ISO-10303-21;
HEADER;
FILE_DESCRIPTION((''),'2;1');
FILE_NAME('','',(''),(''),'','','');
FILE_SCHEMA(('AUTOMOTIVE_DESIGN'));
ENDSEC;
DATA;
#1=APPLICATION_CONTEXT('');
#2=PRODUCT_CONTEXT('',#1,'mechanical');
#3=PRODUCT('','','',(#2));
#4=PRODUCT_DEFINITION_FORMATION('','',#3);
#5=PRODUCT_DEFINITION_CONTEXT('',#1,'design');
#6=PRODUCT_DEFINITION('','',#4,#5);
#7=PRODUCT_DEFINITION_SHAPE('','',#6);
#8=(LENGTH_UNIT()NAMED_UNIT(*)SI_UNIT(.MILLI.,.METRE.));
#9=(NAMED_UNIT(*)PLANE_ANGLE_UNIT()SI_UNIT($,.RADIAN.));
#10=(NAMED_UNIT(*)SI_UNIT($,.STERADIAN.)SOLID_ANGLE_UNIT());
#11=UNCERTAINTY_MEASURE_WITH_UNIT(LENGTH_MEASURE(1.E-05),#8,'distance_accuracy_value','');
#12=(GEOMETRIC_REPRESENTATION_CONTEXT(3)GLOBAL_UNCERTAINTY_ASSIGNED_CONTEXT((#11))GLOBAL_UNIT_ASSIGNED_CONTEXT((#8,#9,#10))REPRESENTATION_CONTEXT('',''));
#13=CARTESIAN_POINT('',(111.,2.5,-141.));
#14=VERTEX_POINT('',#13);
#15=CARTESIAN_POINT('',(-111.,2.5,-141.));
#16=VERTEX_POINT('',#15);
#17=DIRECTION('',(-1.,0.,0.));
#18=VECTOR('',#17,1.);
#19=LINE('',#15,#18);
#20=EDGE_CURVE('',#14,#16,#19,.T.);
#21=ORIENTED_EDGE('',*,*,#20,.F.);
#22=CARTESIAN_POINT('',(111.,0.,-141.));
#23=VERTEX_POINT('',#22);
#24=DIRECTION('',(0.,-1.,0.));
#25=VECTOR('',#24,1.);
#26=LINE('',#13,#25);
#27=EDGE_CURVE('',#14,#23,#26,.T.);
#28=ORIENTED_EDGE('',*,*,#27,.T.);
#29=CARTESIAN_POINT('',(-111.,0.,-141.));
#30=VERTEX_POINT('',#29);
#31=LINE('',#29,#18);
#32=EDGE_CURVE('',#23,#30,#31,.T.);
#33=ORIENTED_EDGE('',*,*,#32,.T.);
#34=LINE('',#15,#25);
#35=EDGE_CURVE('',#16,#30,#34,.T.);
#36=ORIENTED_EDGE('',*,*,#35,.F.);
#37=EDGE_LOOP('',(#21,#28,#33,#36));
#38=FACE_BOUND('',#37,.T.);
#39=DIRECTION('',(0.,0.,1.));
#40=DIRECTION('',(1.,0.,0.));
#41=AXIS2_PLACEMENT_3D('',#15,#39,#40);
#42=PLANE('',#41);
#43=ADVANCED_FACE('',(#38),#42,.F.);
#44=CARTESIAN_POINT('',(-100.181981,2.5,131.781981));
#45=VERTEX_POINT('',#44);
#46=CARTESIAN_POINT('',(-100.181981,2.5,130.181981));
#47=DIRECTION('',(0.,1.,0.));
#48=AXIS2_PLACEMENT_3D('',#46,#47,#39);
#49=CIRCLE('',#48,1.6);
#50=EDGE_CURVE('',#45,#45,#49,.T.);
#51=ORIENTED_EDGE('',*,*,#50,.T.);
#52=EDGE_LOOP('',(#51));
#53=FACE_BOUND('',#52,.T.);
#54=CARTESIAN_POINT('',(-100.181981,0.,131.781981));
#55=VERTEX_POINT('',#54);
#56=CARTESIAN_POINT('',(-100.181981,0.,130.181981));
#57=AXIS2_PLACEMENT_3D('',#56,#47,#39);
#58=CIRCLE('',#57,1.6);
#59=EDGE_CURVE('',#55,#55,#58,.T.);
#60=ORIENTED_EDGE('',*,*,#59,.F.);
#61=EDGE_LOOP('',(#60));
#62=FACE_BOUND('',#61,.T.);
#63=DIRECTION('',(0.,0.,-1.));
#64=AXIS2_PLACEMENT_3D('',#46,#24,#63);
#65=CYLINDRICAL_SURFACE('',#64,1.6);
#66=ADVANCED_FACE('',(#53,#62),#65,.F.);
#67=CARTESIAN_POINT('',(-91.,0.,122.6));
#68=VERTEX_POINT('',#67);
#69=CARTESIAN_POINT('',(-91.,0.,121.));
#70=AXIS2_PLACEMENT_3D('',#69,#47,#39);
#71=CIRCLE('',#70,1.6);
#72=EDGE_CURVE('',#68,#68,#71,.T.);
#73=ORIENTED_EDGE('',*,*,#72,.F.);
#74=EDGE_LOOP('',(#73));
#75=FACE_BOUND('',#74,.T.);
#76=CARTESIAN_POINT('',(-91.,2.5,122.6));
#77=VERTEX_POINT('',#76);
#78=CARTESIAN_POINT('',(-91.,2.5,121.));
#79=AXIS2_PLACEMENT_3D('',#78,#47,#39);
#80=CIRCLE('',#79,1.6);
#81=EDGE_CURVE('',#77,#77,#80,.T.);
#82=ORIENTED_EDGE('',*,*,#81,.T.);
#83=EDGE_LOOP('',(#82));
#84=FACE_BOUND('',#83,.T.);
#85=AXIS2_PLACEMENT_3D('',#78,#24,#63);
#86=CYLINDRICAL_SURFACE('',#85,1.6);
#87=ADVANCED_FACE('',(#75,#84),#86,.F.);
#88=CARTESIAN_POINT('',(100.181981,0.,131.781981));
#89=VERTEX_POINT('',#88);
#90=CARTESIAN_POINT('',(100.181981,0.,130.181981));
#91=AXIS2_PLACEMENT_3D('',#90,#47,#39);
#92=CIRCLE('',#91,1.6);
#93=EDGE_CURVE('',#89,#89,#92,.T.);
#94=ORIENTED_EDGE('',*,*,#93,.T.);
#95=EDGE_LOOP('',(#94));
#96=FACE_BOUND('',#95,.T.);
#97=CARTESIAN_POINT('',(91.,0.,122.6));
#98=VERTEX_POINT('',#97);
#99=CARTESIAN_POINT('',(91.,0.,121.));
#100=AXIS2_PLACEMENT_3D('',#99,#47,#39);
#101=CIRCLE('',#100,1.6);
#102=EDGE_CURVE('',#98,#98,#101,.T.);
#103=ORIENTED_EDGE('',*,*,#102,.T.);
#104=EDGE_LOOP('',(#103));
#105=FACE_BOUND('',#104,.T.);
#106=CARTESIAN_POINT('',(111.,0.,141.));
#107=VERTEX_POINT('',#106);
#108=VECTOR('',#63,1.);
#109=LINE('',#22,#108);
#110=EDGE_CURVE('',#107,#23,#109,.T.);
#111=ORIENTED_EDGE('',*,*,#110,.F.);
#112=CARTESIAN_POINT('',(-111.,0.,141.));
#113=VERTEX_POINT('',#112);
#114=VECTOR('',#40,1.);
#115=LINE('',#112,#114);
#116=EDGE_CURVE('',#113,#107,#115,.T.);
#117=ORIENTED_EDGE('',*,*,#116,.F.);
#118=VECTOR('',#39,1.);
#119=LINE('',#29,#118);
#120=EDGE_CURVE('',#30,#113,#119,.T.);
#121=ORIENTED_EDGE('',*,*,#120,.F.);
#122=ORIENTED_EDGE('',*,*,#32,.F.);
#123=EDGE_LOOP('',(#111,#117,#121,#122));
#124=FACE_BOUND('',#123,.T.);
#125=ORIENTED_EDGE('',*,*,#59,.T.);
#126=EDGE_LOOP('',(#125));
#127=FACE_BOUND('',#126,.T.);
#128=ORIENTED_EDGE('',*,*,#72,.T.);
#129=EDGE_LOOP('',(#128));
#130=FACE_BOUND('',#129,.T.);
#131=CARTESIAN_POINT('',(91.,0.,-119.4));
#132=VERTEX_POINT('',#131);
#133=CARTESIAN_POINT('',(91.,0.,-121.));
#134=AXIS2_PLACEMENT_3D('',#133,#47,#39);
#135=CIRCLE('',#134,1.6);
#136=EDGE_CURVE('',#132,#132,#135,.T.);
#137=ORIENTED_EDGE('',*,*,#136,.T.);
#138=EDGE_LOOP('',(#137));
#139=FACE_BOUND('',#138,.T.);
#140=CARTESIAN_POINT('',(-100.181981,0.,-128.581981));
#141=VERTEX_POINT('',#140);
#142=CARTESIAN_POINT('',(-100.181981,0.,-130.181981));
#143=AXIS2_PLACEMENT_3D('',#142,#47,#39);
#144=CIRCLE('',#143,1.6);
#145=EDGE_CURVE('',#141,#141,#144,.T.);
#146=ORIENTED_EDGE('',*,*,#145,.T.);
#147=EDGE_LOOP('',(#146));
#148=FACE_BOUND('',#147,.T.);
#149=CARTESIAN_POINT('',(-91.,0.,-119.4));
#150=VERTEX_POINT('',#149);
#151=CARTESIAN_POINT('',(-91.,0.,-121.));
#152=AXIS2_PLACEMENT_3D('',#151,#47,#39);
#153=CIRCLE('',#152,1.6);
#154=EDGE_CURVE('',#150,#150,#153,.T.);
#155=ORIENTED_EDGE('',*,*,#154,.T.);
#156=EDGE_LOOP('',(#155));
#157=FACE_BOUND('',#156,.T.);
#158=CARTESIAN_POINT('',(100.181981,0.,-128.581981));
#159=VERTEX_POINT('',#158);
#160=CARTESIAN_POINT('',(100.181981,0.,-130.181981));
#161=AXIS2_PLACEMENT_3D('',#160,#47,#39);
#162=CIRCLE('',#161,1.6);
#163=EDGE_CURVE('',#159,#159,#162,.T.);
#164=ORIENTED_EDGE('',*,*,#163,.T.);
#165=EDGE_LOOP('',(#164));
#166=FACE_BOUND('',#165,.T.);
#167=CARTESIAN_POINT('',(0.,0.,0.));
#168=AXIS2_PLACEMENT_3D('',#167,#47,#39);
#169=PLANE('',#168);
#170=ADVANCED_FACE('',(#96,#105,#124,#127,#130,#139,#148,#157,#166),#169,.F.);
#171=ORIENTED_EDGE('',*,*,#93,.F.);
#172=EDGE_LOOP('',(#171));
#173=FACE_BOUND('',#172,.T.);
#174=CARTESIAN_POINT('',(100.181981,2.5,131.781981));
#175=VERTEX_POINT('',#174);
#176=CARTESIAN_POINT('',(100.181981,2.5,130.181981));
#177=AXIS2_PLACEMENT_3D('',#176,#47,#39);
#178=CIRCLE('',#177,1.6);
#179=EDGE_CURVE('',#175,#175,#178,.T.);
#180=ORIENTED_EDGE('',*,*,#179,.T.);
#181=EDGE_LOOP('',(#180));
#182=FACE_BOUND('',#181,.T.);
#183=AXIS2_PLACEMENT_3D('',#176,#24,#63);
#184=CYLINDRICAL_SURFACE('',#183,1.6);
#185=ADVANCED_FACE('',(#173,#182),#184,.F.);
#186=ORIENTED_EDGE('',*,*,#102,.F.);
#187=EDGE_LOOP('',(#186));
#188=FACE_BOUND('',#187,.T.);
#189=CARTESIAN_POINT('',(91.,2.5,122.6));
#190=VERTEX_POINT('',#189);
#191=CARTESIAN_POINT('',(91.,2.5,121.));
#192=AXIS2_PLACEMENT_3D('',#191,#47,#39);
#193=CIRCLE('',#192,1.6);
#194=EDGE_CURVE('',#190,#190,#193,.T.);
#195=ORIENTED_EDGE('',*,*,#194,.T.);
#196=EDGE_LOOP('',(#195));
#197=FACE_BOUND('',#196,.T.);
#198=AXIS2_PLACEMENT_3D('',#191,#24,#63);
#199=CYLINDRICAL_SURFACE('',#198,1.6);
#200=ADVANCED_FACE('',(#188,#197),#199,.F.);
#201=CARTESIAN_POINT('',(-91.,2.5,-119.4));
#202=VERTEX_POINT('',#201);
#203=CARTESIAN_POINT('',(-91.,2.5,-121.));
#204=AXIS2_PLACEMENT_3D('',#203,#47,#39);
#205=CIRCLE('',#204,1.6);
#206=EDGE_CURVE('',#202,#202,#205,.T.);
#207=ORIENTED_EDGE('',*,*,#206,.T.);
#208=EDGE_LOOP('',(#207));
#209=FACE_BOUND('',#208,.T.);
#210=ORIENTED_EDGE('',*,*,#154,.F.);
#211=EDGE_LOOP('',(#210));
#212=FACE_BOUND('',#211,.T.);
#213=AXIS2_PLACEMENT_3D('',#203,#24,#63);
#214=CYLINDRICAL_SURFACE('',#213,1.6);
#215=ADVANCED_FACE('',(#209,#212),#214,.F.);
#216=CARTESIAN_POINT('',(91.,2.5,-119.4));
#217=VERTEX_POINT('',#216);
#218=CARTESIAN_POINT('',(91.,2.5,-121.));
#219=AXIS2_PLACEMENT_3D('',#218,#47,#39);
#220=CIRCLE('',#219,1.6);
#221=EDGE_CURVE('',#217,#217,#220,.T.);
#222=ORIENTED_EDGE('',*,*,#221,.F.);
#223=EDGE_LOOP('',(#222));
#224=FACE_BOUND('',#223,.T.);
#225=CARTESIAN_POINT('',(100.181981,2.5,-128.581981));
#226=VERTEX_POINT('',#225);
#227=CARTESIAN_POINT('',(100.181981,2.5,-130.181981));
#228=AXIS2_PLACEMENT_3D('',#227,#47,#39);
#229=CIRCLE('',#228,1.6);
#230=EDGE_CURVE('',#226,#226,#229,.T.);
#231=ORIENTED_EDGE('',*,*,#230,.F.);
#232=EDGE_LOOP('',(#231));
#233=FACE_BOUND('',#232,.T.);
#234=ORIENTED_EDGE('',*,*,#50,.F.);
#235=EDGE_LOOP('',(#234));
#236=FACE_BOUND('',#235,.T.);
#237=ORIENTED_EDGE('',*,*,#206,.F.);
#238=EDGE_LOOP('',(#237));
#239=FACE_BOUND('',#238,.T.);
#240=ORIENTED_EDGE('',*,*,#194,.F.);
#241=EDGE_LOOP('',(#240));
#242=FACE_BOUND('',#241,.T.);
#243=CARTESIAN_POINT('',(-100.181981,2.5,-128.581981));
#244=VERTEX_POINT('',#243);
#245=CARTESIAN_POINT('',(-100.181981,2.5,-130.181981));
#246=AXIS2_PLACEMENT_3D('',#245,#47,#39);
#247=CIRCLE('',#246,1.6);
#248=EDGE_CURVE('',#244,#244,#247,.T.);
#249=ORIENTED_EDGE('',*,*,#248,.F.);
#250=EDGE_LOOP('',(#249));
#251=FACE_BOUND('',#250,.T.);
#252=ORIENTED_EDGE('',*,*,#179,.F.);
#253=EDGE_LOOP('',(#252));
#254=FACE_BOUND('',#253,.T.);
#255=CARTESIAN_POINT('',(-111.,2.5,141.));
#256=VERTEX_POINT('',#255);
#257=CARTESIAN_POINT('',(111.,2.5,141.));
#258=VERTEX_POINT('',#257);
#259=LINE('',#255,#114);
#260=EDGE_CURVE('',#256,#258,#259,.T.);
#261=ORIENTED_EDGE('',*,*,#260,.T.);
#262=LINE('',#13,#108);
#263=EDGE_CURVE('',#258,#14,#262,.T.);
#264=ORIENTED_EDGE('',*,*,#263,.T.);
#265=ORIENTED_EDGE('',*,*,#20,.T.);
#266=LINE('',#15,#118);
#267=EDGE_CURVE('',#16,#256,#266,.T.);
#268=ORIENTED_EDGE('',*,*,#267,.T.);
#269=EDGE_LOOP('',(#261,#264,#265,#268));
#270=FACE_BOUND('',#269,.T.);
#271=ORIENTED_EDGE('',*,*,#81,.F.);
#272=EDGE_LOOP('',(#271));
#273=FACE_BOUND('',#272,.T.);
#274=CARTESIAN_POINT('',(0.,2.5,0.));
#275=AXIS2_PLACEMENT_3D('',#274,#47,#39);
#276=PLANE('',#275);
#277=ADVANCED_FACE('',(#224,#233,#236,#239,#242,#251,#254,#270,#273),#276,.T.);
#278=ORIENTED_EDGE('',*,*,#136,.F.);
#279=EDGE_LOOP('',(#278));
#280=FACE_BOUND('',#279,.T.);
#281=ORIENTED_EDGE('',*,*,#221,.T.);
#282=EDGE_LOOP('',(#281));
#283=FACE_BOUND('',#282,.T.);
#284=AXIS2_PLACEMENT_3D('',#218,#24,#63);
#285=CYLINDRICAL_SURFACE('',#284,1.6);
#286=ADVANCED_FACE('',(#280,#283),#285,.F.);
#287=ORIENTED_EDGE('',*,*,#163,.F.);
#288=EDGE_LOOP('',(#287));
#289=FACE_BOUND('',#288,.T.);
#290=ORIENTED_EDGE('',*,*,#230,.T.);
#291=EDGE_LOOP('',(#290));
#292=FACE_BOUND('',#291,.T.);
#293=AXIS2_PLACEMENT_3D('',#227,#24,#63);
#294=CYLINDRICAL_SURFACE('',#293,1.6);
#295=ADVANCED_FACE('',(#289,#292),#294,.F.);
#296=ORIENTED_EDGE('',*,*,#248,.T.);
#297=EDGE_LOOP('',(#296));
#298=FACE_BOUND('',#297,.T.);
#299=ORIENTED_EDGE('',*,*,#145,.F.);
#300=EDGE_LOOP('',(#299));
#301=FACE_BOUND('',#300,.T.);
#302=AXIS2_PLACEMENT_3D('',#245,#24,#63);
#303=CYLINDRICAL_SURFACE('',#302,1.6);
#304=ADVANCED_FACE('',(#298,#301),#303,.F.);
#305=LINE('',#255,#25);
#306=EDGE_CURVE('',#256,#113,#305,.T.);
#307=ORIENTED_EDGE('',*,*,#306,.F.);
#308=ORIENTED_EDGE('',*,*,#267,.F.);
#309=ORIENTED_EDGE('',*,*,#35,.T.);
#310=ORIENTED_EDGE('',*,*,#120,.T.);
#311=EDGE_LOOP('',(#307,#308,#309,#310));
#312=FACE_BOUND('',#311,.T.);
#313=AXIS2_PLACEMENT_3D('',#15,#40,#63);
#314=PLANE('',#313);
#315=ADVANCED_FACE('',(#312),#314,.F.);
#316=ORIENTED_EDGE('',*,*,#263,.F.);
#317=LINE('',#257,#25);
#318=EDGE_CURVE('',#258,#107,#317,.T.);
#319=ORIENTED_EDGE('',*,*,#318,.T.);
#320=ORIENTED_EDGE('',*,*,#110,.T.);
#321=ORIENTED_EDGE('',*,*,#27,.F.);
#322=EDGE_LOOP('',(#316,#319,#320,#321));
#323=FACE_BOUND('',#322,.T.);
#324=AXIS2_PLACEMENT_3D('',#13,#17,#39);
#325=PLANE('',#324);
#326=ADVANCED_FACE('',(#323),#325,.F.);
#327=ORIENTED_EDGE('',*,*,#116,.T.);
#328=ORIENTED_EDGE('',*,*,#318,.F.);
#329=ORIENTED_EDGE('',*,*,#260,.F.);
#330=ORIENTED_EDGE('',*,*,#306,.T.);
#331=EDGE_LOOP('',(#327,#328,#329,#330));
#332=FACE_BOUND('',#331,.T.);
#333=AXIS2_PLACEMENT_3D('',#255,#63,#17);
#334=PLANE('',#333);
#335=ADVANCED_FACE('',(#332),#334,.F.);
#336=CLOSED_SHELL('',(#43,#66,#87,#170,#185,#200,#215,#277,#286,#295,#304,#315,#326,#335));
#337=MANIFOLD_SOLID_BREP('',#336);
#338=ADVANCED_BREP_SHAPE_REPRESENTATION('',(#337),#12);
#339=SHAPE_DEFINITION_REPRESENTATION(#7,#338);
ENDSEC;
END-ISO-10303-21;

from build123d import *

# Parameters (mm, degrees)
SKETCH1_W           = 222
SKETCH1_H           = 282
SKETCH1_R           = 1.6
BOSS_EXTRUDE1_DEPTH = 2.5


with BuildPart() as part:
    # Sketch1 → Boss-Extrude1 (new body)
    with BuildSketch(Plane(origin=(0, 0, 0), x_dir=(1, 0, 0), z_dir=(0, 1, 0))):
        Rectangle(SKETCH1_W, SKETCH1_H)
        with Locations(Location((-100.181980515, 130.181980515, 0), (0, 0, 270))):
            Circle(SKETCH1_R, mode=Mode.SUBTRACT)
        with Locations(Location((100.181980515, 130.181980515, 0), (0, 0, 270))):
            Circle(SKETCH1_R, mode=Mode.SUBTRACT)
        with Locations(Location((-100.181980515, -130.181980515, 0), (0, 0, 270))):
            Circle(SKETCH1_R, mode=Mode.SUBTRACT)
        with Locations(Location((100.181980515, -130.181980515, 0), (0, 0, 270))):
            Circle(SKETCH1_R, mode=Mode.SUBTRACT)
        with Locations(Location((-91, 121, 0), (0, 0, 270))):
            Circle(SKETCH1_R, mode=Mode.SUBTRACT)
        with Locations(Location((91, 121, 0), (0, 0, 270))):
            Circle(SKETCH1_R, mode=Mode.SUBTRACT)
        with Locations(Location((-91, -121, 0), (0, 0, 270))):
            Circle(SKETCH1_R, mode=Mode.SUBTRACT)
        with Locations(Location((91, -121, 0), (0, 0, 270))):
            Circle(SKETCH1_R, mode=Mode.SUBTRACT)
    extrude(amount=BOSS_EXTRUDE1_DEPTH)


solid = part.part
